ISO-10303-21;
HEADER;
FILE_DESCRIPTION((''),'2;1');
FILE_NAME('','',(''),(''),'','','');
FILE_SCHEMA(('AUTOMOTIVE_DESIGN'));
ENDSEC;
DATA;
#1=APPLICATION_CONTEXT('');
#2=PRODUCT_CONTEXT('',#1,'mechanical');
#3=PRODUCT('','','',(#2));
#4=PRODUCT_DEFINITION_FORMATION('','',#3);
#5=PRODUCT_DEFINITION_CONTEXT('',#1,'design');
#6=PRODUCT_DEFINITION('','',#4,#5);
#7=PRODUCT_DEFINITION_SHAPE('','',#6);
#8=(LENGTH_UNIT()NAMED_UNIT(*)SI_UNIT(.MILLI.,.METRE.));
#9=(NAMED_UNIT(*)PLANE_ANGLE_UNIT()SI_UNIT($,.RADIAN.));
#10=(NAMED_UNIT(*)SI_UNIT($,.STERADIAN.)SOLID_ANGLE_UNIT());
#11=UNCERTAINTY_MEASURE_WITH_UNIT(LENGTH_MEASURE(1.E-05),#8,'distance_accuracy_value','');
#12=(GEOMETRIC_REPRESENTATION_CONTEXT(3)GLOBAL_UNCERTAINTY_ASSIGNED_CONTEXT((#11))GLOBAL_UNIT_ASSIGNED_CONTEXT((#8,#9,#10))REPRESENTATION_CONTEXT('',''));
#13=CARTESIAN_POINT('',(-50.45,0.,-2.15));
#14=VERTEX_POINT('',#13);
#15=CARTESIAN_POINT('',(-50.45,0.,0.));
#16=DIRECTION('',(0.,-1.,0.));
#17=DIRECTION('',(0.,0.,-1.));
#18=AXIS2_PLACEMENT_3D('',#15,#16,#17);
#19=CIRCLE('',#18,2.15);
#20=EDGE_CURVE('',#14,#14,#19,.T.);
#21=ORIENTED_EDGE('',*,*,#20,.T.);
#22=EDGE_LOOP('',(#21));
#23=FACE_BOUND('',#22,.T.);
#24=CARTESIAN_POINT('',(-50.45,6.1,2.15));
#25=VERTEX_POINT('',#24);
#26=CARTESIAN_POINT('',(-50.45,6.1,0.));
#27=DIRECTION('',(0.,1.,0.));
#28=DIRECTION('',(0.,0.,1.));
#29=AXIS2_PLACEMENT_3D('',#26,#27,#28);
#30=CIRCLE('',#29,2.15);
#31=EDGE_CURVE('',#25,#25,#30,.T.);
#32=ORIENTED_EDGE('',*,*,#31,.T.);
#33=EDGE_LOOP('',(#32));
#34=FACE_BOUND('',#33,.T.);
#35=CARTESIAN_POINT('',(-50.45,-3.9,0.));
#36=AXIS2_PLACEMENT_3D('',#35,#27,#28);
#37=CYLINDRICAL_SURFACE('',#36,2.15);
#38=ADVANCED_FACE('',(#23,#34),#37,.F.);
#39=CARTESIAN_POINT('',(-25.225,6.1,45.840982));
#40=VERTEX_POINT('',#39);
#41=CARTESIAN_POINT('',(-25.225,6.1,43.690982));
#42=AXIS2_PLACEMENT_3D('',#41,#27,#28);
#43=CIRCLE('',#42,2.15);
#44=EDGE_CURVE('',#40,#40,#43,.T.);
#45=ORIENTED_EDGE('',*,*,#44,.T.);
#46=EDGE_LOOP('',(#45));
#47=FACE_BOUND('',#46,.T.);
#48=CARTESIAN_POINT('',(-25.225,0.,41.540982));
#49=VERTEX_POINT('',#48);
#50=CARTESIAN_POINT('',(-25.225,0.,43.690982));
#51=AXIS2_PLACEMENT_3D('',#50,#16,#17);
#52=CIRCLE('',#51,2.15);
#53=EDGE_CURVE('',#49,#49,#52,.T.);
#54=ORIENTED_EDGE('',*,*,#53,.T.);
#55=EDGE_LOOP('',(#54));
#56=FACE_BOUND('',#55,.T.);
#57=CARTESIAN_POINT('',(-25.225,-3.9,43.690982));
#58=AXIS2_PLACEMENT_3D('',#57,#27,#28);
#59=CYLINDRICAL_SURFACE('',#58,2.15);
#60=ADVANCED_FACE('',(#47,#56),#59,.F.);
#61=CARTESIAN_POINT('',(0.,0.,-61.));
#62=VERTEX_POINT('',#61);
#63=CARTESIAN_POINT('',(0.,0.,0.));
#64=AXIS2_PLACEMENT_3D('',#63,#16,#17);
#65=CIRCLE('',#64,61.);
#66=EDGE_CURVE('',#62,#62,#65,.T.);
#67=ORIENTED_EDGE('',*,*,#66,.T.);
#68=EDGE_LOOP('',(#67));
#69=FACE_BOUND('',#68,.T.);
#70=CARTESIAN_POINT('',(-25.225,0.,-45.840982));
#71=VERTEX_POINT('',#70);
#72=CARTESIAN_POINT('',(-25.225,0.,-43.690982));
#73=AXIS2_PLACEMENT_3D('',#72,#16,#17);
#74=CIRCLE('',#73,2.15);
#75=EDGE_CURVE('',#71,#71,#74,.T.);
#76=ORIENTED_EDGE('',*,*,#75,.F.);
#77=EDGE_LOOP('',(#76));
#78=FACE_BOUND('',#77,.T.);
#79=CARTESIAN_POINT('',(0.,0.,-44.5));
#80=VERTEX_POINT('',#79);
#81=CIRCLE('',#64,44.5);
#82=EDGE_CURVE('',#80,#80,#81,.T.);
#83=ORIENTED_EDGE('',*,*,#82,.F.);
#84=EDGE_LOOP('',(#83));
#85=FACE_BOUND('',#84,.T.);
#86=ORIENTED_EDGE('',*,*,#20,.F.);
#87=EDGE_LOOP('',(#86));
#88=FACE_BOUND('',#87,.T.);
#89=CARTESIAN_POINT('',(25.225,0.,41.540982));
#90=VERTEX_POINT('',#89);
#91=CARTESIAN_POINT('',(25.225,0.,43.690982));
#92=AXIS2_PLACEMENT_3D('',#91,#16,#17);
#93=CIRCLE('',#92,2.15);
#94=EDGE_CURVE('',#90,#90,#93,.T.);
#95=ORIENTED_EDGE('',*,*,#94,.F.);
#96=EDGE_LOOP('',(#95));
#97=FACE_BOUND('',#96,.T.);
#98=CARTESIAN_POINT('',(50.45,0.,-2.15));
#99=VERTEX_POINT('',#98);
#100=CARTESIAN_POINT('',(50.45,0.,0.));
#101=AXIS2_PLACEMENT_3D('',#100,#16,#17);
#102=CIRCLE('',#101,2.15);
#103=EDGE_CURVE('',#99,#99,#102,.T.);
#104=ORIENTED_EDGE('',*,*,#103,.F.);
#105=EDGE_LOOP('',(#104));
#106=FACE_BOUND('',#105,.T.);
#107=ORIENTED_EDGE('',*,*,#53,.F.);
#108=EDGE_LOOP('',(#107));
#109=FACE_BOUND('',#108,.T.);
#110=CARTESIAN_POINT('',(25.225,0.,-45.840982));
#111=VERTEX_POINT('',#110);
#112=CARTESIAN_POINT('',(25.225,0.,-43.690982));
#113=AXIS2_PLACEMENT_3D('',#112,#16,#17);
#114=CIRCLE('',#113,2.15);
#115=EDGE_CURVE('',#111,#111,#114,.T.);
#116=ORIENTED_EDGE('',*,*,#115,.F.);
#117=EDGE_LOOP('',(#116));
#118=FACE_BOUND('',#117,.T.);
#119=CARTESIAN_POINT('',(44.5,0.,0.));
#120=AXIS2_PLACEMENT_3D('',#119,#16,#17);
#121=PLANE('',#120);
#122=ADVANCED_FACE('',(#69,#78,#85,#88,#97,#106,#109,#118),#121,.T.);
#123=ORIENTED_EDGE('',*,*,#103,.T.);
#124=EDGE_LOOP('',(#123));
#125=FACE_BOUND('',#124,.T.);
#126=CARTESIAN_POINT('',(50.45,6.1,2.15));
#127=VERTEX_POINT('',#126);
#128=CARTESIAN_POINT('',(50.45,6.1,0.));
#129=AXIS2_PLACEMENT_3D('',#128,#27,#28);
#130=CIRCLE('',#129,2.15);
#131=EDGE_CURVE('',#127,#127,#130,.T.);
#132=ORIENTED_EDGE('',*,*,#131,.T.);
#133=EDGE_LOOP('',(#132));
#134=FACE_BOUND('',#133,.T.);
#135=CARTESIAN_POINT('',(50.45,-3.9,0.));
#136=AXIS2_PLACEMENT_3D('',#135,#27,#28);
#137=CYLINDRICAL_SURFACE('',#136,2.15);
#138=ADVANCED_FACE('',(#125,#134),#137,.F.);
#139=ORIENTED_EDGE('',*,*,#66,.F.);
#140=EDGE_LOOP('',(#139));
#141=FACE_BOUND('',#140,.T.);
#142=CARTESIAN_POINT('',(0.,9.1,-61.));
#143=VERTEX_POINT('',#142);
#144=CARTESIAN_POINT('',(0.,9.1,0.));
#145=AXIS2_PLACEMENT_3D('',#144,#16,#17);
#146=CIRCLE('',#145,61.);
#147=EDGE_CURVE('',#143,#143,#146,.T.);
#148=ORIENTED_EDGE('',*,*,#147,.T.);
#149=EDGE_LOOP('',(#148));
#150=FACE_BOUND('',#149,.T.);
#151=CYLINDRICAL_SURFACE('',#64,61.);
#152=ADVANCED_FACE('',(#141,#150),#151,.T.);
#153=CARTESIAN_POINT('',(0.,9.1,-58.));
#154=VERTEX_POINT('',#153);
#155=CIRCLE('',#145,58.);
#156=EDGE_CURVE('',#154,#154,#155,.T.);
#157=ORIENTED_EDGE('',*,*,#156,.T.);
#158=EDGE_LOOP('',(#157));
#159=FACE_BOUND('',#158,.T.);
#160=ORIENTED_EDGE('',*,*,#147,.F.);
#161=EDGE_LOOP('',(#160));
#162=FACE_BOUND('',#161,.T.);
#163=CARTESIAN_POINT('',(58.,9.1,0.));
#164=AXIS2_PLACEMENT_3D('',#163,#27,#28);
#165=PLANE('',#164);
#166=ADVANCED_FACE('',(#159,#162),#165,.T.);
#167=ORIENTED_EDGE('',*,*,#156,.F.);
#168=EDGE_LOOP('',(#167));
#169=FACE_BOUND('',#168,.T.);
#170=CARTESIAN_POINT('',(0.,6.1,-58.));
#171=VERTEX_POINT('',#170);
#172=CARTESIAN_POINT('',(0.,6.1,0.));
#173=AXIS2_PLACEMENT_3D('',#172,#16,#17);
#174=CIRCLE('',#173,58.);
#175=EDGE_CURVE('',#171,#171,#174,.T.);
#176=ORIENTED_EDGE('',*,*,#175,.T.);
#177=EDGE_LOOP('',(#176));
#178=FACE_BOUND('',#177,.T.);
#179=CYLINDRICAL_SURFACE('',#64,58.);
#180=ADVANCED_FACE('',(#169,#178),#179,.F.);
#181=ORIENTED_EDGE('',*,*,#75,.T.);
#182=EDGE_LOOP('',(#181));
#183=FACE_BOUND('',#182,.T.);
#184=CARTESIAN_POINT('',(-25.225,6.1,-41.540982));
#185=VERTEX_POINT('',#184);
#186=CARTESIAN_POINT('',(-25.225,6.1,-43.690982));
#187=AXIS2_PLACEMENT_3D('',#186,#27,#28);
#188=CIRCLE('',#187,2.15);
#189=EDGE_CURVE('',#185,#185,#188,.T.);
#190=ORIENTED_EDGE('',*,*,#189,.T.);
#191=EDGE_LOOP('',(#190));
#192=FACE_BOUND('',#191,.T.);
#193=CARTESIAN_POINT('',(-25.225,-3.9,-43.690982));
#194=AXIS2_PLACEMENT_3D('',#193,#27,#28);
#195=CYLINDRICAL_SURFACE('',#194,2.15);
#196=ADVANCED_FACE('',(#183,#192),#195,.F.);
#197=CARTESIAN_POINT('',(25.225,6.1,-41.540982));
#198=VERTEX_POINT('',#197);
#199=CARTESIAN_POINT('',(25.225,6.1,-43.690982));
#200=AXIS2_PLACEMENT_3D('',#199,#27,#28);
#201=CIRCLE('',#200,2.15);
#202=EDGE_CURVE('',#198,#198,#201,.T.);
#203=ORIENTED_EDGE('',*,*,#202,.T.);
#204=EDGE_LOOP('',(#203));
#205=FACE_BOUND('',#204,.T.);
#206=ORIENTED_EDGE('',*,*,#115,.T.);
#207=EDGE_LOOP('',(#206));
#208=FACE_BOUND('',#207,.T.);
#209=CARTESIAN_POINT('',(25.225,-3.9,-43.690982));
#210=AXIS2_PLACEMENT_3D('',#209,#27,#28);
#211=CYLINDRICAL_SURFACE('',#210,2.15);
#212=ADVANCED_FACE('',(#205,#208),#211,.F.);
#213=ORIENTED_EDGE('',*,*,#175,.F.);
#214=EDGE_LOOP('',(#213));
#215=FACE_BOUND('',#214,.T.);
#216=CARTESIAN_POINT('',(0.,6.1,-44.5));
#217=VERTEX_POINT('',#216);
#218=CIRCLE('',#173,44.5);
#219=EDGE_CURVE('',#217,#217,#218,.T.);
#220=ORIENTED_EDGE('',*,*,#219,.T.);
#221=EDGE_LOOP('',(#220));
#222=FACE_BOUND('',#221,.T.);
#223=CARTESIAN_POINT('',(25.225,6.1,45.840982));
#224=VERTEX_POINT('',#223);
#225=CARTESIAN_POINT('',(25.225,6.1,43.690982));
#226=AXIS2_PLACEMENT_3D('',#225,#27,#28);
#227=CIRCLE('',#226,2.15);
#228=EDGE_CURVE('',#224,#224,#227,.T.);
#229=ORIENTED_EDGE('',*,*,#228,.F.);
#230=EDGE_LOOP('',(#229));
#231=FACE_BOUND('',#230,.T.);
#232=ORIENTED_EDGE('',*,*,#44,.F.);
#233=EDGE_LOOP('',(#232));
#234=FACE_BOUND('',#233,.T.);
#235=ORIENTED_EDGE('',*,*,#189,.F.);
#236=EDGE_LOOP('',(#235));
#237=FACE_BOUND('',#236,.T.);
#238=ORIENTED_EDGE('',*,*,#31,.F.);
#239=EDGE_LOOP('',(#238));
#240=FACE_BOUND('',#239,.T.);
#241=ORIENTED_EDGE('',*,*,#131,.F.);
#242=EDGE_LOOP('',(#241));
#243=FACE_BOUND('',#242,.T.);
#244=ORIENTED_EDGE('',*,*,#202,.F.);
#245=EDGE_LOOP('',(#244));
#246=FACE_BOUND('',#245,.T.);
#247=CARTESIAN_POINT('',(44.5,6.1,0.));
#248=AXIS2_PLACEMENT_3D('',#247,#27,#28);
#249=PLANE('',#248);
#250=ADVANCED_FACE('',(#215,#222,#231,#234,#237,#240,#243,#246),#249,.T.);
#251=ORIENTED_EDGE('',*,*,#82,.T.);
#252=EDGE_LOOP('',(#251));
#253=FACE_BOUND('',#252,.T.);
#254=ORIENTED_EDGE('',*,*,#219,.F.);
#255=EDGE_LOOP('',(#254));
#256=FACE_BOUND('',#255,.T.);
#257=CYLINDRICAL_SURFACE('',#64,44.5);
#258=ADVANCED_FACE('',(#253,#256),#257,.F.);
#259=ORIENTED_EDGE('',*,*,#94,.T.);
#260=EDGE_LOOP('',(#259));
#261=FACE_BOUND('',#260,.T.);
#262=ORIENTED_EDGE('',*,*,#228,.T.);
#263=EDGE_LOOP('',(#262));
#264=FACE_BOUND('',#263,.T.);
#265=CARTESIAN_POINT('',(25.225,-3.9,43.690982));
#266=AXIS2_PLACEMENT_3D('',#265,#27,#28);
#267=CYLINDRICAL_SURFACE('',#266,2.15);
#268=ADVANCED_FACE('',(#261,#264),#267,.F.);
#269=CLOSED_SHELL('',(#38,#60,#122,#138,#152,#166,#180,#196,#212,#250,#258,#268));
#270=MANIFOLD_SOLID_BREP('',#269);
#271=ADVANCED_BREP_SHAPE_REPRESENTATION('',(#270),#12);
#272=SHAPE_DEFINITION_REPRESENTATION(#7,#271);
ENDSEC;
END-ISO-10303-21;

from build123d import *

# Parameters (mm, degrees)
SKETCH_3_R          = 2.15
CUT_EXTRUDE_2_DEPTH = 10


with BuildPart() as part:
    # 草图1 → 旋转1 (revolve)
    with BuildSketch(Plane.XY, mode=Mode.PRIVATE) as revolve_1_sk:
        Polygon((44.5, 0), (58, 0), (61, 0), (61, 9.1), (58, 9.1), (58, 6.1), (44.5, 6.1), align=None)
    revolve(revolve_1_sk.sketch.rotate(Axis((0, 0, 0), (0, 1, 0)), 90), axis=Axis((0, 0, 0), (0, 1, 0)))

    # 草图3 → 切除-拉伸2 (cut)
    with BuildSketch(Plane(origin=(0, 6.1, 0), x_dir=(1, 0, 0), z_dir=(0, 1, 0))):
        with Locations(Location((-50.45, 0, 0), (0, 0, 270))):
            Circle(SKETCH_3_R)
        with Locations(Location((-25.225, 43.690981621, 0), (0, 0, 270))):
            Circle(SKETCH_3_R)
        with Locations(Location((25.225, 43.690981621, 0), (0, 0, 270))):
            Circle(SKETCH_3_R)
        with Locations(Location((50.45, 0, 0), (0, 0, 270))):
            Circle(SKETCH_3_R)
        with Locations(Location((25.225, -43.690981621, 0), (0, 0, 270))):
            Circle(SKETCH_3_R)
        with Locations(Location((-25.225, -43.690981621, 0), (0, 0, 270))):
            Circle(SKETCH_3_R)
    extrude(amount=-CUT_EXTRUDE_2_DEPTH, mode=Mode.SUBTRACT)


solid = part.part
